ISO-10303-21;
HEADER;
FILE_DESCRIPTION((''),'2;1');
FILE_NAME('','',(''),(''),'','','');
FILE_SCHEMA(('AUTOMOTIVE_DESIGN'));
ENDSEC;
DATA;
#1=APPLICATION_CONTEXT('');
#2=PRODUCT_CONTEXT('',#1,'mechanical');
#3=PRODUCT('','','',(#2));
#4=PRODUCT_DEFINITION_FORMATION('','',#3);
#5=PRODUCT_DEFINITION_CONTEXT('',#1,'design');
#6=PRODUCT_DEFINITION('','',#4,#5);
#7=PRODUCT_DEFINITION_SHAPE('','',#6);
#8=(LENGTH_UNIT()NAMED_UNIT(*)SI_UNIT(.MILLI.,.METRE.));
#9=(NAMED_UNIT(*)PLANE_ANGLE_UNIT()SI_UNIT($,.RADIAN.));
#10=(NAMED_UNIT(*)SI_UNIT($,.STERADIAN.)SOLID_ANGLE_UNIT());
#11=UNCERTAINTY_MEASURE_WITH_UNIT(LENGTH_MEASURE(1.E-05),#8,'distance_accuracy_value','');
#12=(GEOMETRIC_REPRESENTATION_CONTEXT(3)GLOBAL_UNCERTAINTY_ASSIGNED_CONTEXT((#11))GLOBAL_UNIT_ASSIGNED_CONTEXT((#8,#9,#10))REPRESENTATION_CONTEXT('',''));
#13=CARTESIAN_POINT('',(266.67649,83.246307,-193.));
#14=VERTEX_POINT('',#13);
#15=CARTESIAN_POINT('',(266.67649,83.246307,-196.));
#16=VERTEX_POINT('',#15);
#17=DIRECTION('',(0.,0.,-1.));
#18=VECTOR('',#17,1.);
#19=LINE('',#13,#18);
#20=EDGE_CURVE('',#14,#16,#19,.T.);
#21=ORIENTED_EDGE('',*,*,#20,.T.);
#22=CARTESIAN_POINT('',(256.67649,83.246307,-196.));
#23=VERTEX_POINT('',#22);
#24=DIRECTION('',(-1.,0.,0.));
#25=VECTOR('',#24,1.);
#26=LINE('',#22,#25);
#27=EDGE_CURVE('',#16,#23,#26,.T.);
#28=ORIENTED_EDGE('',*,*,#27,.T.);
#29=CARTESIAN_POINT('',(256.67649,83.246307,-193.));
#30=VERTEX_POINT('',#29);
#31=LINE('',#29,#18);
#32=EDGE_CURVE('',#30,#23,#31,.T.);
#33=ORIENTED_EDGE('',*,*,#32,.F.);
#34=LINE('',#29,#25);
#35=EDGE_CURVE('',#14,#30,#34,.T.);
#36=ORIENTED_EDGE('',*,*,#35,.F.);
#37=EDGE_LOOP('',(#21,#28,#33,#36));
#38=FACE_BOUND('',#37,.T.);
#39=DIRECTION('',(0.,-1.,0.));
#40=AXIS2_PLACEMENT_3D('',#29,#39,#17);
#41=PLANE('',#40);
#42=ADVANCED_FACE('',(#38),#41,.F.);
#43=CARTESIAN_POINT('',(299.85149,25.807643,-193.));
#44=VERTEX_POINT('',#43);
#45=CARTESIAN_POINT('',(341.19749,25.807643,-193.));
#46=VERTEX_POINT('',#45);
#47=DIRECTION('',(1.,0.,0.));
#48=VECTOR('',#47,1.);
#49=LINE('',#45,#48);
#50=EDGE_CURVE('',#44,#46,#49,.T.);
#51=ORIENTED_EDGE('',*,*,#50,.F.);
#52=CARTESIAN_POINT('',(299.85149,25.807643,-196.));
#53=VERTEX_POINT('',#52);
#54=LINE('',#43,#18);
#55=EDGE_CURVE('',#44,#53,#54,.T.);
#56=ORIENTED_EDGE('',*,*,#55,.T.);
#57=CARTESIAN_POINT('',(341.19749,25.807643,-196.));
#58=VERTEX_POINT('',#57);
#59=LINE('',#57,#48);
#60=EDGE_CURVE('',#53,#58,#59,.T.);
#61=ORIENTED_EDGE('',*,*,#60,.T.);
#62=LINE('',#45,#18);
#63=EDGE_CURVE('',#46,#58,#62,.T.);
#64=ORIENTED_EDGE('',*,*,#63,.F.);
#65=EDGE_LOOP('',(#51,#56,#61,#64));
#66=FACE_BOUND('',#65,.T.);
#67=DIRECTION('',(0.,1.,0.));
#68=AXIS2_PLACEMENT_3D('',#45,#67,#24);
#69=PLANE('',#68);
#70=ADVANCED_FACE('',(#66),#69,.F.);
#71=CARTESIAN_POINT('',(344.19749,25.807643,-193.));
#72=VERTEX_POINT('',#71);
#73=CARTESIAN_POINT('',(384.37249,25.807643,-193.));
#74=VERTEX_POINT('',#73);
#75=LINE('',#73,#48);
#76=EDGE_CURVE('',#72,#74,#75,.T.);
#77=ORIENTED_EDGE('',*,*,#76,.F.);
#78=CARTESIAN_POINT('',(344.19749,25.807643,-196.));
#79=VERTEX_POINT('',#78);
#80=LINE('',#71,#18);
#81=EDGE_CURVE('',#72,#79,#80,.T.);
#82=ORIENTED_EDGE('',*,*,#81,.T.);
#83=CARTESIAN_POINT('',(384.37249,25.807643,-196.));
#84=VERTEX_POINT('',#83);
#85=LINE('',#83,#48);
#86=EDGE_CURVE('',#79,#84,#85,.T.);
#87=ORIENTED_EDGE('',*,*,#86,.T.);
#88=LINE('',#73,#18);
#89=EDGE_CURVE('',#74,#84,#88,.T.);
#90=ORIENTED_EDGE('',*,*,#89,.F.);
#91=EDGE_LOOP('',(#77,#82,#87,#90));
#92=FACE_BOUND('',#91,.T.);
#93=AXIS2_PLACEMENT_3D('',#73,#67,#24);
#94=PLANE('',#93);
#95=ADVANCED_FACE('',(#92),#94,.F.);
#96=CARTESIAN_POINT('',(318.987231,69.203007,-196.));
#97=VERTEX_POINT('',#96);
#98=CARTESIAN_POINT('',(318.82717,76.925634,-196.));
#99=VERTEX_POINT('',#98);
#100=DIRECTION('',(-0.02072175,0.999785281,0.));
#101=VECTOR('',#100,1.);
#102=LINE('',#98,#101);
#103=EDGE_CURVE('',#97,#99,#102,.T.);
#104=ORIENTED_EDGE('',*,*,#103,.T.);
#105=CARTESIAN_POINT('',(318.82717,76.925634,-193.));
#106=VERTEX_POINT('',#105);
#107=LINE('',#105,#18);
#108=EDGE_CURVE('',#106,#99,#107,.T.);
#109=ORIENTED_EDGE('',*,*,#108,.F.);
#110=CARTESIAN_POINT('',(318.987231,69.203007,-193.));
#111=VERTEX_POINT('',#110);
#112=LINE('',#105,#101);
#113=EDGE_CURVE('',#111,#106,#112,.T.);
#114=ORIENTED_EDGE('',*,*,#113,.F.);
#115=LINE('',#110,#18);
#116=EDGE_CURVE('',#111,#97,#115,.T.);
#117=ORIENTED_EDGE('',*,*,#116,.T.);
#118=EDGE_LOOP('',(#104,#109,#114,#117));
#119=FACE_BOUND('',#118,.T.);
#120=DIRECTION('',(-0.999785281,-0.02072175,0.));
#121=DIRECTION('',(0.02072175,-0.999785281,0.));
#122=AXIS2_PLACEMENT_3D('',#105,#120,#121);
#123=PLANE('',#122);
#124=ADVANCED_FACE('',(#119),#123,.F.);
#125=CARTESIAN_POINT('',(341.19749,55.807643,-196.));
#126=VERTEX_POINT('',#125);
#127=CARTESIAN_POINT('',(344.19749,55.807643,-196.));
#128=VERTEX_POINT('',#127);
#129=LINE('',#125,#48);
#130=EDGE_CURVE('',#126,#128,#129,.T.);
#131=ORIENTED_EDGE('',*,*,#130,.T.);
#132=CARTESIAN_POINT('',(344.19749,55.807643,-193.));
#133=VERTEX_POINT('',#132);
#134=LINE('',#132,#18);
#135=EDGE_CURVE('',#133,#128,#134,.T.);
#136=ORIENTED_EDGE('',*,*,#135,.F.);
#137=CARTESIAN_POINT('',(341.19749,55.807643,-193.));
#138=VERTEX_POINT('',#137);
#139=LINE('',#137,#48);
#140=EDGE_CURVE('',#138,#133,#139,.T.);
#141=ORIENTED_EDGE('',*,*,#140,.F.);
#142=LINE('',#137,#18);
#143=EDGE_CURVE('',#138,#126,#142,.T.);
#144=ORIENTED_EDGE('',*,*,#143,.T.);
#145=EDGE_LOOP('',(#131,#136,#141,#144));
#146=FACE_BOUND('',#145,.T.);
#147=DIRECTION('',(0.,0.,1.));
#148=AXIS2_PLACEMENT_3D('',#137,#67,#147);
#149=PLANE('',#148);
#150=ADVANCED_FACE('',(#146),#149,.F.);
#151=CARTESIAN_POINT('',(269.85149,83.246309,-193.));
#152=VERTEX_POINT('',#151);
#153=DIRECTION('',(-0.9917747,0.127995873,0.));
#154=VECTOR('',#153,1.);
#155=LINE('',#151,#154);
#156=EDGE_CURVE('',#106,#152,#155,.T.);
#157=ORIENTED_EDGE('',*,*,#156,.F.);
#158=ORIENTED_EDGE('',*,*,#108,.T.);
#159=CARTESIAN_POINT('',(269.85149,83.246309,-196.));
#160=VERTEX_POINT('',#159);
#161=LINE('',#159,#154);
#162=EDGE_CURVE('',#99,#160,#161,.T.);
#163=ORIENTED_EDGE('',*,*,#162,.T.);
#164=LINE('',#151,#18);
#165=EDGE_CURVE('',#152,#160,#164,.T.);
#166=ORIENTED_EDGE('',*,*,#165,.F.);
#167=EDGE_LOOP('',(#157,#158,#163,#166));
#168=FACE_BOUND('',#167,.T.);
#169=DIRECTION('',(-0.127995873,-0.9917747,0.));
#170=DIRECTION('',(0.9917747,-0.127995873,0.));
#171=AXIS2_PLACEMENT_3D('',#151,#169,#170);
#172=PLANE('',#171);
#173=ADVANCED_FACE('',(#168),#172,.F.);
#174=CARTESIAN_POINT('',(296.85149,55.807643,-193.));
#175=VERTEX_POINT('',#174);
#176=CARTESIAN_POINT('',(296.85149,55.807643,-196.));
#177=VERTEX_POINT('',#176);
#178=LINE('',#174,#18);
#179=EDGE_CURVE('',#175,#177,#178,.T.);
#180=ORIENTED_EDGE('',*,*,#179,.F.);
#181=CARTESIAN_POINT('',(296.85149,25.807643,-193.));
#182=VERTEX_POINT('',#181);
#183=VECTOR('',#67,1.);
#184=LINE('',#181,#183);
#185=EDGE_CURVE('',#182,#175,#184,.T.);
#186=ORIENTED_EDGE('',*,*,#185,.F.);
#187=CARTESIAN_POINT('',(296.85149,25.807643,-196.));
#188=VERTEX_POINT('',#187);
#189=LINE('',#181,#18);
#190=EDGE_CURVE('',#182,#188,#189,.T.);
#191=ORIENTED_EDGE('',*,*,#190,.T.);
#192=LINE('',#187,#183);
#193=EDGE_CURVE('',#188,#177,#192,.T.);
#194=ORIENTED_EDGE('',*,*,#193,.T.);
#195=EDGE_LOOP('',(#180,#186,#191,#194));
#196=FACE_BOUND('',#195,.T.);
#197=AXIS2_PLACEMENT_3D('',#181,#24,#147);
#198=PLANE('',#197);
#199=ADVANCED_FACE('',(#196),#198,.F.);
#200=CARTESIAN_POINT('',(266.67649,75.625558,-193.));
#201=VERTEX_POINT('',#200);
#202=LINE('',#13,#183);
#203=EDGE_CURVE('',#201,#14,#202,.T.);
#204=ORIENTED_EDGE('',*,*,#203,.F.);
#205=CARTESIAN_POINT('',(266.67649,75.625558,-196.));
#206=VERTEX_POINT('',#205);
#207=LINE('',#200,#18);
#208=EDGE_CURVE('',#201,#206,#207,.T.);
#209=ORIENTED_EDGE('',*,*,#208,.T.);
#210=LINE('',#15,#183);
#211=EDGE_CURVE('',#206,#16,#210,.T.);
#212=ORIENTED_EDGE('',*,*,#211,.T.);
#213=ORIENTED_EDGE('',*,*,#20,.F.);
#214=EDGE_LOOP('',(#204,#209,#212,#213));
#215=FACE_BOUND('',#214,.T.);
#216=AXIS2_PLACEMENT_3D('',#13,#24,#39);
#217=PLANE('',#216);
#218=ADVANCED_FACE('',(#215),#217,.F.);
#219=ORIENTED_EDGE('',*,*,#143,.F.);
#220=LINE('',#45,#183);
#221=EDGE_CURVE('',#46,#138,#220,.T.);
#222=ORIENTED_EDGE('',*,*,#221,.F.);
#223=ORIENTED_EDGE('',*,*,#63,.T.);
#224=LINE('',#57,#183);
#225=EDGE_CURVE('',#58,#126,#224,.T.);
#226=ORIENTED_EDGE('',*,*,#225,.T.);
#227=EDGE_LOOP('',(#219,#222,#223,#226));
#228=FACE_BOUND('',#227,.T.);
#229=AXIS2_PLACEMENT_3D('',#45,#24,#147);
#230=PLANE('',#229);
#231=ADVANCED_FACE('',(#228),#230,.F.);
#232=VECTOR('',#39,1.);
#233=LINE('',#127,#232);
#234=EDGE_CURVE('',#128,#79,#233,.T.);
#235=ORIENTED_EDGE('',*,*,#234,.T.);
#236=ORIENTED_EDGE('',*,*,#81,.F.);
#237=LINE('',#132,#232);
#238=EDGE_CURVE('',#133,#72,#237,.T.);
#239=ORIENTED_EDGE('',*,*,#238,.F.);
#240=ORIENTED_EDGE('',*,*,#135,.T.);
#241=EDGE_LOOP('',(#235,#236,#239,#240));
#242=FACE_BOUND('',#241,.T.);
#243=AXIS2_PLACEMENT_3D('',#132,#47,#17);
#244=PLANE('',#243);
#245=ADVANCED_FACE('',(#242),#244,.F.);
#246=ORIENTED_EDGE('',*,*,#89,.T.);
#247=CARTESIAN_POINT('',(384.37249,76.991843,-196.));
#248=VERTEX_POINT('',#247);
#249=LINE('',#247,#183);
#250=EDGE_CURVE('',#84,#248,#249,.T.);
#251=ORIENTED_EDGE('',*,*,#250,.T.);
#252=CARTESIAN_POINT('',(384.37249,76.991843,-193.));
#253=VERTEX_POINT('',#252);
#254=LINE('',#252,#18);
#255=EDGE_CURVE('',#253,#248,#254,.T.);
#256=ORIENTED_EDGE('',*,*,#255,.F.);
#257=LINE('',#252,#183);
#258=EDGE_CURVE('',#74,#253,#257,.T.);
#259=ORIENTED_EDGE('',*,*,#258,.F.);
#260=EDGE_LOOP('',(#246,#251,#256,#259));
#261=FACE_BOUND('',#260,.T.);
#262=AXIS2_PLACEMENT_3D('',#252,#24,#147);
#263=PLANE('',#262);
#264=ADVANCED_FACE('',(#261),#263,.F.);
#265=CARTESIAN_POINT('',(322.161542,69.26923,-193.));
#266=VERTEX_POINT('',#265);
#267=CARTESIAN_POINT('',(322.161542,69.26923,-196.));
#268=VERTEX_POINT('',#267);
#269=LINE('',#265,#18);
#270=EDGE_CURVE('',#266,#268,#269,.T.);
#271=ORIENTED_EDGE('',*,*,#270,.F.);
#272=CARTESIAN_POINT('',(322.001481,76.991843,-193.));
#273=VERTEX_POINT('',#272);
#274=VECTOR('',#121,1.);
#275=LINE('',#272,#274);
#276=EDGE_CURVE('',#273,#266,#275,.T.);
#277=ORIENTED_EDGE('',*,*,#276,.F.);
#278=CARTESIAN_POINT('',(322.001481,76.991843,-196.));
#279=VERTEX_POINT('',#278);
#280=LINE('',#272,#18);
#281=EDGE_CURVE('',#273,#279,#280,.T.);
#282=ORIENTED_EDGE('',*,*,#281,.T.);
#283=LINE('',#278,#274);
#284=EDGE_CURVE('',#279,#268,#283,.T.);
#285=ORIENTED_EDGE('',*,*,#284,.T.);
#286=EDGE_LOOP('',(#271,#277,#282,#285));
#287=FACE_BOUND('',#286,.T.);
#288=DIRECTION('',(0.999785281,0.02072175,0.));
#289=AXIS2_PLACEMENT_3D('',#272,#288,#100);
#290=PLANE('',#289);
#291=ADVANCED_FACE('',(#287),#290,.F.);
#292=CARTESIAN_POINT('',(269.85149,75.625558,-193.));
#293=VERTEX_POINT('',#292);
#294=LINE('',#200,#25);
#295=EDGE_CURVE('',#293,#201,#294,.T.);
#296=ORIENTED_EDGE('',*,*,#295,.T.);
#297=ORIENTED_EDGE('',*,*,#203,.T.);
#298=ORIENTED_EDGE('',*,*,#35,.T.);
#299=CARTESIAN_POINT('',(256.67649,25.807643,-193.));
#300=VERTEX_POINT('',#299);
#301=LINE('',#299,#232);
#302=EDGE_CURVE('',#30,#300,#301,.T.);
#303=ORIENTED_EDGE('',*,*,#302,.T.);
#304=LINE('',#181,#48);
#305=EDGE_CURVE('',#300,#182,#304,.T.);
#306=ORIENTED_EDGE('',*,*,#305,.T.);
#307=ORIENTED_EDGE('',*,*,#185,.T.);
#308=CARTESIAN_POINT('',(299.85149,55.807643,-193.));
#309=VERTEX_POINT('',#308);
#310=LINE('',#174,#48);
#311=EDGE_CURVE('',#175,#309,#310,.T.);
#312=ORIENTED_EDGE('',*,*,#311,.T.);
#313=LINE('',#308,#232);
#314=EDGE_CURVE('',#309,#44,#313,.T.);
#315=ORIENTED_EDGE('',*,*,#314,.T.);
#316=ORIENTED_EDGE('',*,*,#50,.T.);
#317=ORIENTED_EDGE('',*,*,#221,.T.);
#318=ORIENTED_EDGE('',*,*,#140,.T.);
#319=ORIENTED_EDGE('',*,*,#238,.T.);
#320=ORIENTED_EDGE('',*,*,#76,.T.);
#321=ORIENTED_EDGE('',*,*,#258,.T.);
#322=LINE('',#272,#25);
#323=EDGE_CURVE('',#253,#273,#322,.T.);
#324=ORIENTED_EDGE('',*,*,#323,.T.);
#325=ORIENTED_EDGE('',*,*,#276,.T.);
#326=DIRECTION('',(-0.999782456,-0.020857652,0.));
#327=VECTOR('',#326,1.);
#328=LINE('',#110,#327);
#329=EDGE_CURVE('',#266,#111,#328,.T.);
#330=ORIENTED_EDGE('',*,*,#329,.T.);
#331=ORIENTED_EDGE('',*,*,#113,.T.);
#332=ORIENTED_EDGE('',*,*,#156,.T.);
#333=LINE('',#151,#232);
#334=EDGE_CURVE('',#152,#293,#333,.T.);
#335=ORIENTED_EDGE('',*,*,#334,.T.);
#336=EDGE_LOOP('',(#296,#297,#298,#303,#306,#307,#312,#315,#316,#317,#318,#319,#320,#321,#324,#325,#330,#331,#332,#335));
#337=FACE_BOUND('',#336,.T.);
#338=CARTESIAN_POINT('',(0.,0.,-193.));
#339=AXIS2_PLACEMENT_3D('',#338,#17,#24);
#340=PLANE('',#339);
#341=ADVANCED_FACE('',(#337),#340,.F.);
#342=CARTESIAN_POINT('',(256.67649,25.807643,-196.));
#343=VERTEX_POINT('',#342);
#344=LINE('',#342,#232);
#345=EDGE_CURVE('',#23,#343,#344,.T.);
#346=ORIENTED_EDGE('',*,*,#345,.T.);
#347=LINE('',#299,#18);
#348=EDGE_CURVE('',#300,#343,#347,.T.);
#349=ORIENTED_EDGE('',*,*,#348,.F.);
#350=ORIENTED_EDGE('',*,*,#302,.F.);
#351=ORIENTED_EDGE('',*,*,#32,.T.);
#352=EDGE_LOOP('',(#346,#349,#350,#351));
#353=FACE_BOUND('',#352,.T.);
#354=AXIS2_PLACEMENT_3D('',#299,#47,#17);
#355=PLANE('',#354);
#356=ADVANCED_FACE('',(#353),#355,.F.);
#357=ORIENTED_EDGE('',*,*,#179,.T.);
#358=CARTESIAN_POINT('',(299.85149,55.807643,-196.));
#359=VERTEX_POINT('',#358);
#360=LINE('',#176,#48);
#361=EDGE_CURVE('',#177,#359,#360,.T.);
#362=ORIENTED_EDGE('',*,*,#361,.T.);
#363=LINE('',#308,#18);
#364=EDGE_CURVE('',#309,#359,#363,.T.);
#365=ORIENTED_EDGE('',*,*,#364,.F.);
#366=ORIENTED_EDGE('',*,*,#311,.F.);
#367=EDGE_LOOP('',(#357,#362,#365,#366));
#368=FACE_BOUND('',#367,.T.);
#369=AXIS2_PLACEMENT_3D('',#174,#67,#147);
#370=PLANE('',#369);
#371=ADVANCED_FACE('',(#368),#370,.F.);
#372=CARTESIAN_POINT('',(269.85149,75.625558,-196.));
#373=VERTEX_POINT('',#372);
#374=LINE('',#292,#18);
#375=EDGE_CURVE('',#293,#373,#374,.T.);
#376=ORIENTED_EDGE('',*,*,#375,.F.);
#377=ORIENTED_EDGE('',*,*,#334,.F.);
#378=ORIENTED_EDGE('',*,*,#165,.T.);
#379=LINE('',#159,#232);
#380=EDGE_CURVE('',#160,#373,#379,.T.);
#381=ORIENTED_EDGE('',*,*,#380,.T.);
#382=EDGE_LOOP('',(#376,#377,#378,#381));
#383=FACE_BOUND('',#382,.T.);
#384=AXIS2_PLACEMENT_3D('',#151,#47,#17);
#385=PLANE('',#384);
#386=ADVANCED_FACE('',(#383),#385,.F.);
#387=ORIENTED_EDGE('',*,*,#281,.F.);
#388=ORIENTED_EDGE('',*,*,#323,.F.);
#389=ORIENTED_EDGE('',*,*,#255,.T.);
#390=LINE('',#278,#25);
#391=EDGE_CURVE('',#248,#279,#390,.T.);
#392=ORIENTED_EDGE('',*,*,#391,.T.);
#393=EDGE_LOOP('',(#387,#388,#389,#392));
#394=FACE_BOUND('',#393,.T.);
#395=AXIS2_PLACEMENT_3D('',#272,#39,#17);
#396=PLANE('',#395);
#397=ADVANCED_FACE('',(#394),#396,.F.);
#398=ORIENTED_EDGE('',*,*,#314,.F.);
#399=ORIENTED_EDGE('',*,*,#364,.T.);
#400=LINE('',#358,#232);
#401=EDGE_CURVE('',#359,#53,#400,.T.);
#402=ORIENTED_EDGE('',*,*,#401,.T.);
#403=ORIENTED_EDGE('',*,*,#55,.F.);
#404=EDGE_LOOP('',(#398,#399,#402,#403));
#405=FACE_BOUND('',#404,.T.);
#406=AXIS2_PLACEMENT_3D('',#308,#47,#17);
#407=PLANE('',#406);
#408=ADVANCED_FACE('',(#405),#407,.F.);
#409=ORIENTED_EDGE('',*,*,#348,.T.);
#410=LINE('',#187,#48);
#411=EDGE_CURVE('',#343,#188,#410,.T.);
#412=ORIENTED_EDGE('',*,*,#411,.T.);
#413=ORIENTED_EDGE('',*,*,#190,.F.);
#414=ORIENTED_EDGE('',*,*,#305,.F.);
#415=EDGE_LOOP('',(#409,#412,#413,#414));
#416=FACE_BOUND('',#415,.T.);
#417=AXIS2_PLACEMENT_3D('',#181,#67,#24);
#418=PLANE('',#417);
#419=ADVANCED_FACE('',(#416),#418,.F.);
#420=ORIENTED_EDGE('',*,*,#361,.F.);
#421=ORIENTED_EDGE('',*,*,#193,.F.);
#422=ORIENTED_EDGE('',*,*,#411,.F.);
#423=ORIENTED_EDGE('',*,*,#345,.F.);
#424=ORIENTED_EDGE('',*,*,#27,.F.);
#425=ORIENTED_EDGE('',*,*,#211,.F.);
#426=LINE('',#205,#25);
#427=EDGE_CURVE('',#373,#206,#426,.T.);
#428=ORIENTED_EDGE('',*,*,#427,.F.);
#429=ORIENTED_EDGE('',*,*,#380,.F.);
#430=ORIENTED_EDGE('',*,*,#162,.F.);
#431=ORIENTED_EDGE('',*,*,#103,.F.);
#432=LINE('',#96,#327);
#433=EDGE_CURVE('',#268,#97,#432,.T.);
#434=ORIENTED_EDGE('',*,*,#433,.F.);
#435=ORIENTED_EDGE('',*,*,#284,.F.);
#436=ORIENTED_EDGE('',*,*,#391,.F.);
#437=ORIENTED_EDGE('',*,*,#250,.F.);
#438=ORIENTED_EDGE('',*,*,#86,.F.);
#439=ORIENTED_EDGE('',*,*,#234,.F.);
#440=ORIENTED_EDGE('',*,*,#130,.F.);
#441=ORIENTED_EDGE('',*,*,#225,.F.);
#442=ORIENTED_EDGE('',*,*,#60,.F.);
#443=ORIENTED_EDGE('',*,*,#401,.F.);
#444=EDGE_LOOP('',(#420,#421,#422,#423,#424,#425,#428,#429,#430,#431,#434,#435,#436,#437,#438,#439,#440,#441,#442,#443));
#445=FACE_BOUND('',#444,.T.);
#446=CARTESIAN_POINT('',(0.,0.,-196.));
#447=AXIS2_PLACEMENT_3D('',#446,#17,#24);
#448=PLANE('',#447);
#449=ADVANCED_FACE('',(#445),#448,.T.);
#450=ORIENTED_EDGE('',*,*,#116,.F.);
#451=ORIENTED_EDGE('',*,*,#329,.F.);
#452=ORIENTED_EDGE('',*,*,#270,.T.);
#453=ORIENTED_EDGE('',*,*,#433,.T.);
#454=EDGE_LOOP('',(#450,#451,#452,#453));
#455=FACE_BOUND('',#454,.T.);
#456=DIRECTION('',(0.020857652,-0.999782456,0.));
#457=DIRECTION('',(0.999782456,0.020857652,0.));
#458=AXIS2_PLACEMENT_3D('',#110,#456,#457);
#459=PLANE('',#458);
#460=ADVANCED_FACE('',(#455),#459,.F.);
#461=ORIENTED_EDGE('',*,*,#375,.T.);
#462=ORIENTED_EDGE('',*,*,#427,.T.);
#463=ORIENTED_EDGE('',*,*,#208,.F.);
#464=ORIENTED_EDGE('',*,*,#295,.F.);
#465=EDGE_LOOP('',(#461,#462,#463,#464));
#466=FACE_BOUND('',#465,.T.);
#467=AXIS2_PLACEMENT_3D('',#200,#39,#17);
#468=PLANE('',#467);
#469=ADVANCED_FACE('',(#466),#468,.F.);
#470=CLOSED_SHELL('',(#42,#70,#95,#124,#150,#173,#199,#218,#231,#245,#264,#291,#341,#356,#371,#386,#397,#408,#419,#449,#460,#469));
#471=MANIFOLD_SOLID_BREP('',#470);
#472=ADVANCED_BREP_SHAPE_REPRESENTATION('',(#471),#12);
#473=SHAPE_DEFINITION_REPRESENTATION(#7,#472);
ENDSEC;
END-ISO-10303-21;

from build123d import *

# Parameters (mm, degrees)
BOSS_EXTRUDE1_DEPTH = 3


with BuildPart() as part:
    # Sketch1 → Boss-Extrude1 (new body)
    with BuildSketch(Plane.XY.offset(-196)):
        Polygon((266.676489805, 75.625558434), (269.851489805, 75.625558434), (269.851489805, 83.246308539), (318.827170369, 76.925634107), (318.987231093, 69.203006724), (322.161541781, 69.269229798), (322.001481344, 76.991843388), (384.372489805, 76.991843388), (384.372489805, 25.807642853), (344.197489805, 25.807642853), (344.197489805, 55.807642853), (341.197489805, 55.807642853), (341.197489805, 25.807642853), (299.851489805, 25.807642853), (299.851489805, 55.807642853), (296.851489805, 55.807642853), (296.851489805, 25.807642853), (256.676489805, 25.807642853), (256.676489805, 83.246307123), (266.676489805, 83.246307123), align=None)
    extrude(amount=BOSS_EXTRUDE1_DEPTH)


solid = part.part
